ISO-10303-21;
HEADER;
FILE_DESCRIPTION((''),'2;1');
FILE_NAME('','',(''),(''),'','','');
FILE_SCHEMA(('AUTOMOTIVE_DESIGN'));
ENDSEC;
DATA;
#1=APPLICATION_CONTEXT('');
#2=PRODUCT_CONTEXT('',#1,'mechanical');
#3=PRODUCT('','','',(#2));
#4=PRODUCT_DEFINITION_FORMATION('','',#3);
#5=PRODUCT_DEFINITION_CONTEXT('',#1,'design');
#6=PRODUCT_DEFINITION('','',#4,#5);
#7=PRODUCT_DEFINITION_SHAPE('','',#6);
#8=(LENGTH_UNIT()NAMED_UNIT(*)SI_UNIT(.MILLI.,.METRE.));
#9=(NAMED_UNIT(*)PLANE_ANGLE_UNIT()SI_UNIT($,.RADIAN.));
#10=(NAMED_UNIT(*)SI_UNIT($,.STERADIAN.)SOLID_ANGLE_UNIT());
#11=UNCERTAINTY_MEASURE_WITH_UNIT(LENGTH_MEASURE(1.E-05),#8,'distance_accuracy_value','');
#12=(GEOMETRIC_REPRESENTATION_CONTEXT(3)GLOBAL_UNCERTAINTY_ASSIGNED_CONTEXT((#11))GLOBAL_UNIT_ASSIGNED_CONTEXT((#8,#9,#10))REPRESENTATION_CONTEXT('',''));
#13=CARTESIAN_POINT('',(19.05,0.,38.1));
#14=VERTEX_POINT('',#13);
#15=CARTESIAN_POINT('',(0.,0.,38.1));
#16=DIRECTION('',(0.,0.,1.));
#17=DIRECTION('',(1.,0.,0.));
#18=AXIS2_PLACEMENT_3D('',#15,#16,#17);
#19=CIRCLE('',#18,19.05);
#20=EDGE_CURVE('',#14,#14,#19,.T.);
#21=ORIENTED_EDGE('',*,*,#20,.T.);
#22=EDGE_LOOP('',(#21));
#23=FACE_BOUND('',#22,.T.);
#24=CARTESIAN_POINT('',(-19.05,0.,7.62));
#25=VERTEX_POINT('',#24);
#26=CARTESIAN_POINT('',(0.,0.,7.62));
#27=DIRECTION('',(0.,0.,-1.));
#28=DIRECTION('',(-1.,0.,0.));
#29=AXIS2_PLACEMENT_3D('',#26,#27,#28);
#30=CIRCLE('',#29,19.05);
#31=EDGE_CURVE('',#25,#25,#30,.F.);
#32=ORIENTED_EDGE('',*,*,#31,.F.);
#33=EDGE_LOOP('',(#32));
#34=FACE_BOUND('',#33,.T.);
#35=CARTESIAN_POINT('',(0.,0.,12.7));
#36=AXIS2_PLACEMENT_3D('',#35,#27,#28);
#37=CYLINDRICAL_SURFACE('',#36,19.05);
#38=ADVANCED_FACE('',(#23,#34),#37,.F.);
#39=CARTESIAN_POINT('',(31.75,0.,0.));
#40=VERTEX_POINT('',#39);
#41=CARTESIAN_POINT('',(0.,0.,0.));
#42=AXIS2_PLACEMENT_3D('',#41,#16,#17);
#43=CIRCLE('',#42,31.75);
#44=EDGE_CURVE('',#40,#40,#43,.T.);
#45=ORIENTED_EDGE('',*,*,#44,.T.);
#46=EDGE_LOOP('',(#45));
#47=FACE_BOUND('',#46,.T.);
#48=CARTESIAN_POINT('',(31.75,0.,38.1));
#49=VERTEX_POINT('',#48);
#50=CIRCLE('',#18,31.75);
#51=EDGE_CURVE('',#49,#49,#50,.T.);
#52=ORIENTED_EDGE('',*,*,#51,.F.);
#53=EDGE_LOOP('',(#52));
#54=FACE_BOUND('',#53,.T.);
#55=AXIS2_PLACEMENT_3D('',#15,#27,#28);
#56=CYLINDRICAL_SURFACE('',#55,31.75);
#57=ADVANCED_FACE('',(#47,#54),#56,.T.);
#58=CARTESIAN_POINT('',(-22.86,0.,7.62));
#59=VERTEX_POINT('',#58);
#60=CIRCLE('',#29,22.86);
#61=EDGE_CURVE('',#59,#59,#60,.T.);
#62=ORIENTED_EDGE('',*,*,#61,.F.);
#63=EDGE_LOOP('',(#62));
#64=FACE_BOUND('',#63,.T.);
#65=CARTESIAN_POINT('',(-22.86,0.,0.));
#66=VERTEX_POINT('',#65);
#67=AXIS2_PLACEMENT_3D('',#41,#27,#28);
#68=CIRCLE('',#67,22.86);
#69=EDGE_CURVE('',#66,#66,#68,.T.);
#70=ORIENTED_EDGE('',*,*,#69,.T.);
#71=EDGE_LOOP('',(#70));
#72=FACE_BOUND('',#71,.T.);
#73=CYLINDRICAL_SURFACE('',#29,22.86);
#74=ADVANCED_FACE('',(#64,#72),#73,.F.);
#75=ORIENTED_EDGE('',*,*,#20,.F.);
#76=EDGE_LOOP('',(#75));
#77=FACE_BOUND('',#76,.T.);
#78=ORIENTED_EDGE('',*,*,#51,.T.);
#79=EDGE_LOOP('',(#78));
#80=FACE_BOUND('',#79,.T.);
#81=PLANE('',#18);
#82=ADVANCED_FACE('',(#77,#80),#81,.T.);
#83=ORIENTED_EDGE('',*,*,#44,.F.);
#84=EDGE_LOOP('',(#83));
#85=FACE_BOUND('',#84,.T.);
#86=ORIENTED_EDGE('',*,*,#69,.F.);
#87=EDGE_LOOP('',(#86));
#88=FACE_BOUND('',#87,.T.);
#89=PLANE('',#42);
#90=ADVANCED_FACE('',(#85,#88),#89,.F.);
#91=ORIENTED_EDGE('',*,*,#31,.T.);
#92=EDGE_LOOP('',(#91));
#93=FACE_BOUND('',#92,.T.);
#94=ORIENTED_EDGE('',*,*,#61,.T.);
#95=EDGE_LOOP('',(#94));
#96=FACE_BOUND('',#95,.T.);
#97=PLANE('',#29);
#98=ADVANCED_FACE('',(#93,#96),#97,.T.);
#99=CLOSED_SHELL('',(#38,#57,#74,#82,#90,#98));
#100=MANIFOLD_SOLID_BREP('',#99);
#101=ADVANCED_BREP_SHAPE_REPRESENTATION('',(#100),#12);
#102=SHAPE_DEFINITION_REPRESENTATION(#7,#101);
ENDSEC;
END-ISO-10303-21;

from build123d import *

# Parameters (mm, degrees)
SKETCH1_R           = 31.75
BOSS_EXTRUDE1_DEPTH = 38.1
SKETCH2_R           = 19.05
CUT_EXTRUDE1_DEPTH  = 12.7
SKETCH3_R           = 19.05
CUT_EXTRUDE2_DEPTH  = 39.1
SKETCH4_R           = 22.86
CUT_EXTRUDE3_DEPTH  = 7.62


with BuildPart() as part:
    # Sketch1 → Boss-Extrude1 (new body)
    with BuildSketch(Plane.XY):
        Circle(SKETCH1_R)
    extrude(amount=BOSS_EXTRUDE1_DEPTH)

    # Sketch2 → Cut-Extrude1 (cut)
    with BuildSketch(Plane(origin=(0, 0, 0), x_dir=(-1, 0, 0), z_dir=(0, 0, -1))):
        Circle(SKETCH2_R)
    extrude(amount=-CUT_EXTRUDE1_DEPTH, mode=Mode.SUBTRACT)

    # Sketch3 → Cut-Extrude2 (cut, through all)
    with BuildSketch(Plane.XY.offset(38.1)):
        with Locations(Location((0, 0, 0), (0, 0, 180))):  # turned: the seam where the file's is
            Circle(SKETCH3_R)
    extrude(amount=-CUT_EXTRUDE2_DEPTH, mode=Mode.SUBTRACT)

    # Sketch4 → Cut-Extrude3 (cut)
    with BuildSketch(Plane(origin=(0, 0, 0), x_dir=(-1, 0, 0), z_dir=(0, 0, -1))):
        Circle(SKETCH4_R)
    extrude(amount=-CUT_EXTRUDE3_DEPTH, mode=Mode.SUBTRACT)


solid = part.part
